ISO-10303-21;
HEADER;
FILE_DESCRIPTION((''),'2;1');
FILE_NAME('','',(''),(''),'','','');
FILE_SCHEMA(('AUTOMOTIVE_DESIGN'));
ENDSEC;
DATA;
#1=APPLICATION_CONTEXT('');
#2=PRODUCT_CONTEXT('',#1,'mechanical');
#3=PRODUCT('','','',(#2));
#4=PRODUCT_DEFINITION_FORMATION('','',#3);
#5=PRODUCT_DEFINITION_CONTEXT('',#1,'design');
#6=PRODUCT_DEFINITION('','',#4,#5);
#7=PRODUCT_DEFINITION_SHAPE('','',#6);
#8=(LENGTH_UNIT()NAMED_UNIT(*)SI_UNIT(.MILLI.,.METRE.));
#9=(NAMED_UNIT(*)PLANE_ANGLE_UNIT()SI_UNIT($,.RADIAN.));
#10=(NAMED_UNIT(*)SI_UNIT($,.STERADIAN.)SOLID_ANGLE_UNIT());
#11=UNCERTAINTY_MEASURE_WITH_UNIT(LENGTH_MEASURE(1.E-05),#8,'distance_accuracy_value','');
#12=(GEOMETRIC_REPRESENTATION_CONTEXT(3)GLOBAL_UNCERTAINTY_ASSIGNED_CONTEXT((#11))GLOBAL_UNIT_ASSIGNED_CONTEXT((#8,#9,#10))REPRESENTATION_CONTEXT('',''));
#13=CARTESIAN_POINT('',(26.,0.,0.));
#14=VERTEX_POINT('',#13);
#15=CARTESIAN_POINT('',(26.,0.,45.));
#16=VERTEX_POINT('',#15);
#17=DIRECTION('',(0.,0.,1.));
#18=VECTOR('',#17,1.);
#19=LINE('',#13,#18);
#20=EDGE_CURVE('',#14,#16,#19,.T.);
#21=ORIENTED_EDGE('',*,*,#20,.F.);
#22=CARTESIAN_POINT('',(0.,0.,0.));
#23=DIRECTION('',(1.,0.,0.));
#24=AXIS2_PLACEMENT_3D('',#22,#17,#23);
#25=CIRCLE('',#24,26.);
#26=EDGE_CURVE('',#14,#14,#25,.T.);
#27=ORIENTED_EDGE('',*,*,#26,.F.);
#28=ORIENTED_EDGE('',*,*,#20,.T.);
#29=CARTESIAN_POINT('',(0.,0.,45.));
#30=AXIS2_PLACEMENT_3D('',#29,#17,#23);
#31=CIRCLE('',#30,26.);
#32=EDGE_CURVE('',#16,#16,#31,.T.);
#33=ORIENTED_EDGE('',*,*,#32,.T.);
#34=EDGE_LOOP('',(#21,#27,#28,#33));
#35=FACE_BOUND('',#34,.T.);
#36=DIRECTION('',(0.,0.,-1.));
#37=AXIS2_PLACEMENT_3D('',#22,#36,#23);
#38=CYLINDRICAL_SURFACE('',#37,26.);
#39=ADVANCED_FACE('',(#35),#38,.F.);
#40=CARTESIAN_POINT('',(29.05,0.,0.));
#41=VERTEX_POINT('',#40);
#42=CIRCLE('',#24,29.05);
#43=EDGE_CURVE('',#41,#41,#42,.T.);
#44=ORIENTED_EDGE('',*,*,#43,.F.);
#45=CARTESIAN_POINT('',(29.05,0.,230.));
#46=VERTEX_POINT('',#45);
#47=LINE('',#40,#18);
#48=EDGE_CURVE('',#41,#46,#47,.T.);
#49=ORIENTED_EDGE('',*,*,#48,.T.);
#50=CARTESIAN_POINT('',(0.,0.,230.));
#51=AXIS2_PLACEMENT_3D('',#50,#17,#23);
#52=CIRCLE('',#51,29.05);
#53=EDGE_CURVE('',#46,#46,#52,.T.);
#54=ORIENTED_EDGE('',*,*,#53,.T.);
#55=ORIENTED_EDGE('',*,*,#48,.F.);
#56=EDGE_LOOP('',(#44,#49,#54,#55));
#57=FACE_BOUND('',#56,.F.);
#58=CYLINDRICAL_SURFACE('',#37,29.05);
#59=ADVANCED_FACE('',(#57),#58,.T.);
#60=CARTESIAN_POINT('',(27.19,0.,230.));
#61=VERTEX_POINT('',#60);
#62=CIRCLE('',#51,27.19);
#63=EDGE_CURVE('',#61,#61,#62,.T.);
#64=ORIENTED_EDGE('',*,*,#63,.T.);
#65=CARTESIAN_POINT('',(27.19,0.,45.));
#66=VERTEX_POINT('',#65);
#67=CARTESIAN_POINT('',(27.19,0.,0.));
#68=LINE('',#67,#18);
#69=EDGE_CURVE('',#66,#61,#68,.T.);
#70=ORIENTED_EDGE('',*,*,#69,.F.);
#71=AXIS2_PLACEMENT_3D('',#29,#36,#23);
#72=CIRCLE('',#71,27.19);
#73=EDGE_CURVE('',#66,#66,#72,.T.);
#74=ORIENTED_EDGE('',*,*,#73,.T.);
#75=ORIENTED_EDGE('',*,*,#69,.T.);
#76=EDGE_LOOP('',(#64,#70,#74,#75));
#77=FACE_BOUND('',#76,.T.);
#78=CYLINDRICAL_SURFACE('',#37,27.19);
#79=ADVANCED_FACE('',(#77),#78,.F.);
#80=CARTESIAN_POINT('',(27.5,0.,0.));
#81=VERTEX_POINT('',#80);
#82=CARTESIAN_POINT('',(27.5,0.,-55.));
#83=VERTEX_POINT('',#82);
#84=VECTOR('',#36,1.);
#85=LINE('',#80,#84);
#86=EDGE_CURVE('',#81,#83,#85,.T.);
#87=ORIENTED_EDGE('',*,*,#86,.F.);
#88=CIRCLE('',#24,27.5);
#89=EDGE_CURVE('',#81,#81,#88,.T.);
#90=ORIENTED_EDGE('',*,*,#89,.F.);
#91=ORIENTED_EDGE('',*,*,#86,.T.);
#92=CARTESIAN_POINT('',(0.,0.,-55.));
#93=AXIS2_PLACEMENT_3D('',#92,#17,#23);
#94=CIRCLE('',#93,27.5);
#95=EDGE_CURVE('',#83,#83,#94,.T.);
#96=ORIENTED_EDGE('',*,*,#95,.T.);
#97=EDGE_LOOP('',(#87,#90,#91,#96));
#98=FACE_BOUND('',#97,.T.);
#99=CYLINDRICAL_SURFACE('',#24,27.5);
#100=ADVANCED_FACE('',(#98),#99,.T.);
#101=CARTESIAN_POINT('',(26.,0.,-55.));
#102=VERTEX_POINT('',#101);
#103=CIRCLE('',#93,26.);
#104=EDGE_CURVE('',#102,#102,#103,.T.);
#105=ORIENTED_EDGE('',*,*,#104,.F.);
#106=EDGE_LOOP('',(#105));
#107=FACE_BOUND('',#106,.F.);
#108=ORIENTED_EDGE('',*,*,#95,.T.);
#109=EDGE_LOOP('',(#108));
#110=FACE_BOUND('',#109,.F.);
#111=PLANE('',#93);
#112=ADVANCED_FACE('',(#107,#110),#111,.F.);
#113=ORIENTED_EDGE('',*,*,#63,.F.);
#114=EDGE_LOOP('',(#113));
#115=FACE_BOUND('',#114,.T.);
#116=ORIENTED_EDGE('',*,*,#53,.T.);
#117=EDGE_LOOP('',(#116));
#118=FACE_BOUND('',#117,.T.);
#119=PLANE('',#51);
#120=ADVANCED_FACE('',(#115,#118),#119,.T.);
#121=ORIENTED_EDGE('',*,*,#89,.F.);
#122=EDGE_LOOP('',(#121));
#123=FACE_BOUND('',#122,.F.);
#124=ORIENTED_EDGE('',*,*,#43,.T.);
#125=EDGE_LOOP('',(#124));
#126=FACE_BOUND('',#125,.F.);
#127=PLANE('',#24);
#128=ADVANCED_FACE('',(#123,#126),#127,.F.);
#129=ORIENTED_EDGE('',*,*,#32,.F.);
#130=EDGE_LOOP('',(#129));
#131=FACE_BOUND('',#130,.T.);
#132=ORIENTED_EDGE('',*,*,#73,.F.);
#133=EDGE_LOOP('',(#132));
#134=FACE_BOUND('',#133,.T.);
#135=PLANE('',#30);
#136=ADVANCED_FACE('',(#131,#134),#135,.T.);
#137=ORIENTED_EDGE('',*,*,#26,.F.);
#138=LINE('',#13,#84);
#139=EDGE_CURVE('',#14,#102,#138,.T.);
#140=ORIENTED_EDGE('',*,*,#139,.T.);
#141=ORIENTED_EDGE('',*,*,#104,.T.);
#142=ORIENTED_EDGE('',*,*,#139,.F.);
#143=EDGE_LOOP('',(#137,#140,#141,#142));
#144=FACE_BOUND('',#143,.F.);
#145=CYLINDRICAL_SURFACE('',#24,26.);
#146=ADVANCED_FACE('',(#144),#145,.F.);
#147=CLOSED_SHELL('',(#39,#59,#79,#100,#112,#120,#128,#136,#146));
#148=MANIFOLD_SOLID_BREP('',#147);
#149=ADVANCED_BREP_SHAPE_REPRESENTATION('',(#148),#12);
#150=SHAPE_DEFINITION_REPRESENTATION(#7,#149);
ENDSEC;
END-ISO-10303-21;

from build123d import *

# Parameters (mm, degrees)
F0_R          = 29.05
F0_R_2        = 27.19
F1_DEPTH      = 230
F3_R          = 27.5
F3_R_2        = 26
F4_DEPTH      = 45
F4_DEPTH_BACK = 55


with BuildPart() as f1:
    # F0 (on Top) → F1 (new body)
    with BuildSketch(Plane.XY):
        Circle(F0_R)
        Circle(F0_R_2, mode=Mode.SUBTRACT)
    extrude(amount=F1_DEPTH)

    # F3 (on Top) → F4 (join, two sides)
    with BuildSketch(Plane.XY) as f4_sk:
        Circle(F3_R)
        Circle(F3_R_2, mode=Mode.SUBTRACT)
    extrude(amount=F4_DEPTH)
    extrude(f4_sk.sketch, amount=-F4_DEPTH_BACK)


solid = f1.part
